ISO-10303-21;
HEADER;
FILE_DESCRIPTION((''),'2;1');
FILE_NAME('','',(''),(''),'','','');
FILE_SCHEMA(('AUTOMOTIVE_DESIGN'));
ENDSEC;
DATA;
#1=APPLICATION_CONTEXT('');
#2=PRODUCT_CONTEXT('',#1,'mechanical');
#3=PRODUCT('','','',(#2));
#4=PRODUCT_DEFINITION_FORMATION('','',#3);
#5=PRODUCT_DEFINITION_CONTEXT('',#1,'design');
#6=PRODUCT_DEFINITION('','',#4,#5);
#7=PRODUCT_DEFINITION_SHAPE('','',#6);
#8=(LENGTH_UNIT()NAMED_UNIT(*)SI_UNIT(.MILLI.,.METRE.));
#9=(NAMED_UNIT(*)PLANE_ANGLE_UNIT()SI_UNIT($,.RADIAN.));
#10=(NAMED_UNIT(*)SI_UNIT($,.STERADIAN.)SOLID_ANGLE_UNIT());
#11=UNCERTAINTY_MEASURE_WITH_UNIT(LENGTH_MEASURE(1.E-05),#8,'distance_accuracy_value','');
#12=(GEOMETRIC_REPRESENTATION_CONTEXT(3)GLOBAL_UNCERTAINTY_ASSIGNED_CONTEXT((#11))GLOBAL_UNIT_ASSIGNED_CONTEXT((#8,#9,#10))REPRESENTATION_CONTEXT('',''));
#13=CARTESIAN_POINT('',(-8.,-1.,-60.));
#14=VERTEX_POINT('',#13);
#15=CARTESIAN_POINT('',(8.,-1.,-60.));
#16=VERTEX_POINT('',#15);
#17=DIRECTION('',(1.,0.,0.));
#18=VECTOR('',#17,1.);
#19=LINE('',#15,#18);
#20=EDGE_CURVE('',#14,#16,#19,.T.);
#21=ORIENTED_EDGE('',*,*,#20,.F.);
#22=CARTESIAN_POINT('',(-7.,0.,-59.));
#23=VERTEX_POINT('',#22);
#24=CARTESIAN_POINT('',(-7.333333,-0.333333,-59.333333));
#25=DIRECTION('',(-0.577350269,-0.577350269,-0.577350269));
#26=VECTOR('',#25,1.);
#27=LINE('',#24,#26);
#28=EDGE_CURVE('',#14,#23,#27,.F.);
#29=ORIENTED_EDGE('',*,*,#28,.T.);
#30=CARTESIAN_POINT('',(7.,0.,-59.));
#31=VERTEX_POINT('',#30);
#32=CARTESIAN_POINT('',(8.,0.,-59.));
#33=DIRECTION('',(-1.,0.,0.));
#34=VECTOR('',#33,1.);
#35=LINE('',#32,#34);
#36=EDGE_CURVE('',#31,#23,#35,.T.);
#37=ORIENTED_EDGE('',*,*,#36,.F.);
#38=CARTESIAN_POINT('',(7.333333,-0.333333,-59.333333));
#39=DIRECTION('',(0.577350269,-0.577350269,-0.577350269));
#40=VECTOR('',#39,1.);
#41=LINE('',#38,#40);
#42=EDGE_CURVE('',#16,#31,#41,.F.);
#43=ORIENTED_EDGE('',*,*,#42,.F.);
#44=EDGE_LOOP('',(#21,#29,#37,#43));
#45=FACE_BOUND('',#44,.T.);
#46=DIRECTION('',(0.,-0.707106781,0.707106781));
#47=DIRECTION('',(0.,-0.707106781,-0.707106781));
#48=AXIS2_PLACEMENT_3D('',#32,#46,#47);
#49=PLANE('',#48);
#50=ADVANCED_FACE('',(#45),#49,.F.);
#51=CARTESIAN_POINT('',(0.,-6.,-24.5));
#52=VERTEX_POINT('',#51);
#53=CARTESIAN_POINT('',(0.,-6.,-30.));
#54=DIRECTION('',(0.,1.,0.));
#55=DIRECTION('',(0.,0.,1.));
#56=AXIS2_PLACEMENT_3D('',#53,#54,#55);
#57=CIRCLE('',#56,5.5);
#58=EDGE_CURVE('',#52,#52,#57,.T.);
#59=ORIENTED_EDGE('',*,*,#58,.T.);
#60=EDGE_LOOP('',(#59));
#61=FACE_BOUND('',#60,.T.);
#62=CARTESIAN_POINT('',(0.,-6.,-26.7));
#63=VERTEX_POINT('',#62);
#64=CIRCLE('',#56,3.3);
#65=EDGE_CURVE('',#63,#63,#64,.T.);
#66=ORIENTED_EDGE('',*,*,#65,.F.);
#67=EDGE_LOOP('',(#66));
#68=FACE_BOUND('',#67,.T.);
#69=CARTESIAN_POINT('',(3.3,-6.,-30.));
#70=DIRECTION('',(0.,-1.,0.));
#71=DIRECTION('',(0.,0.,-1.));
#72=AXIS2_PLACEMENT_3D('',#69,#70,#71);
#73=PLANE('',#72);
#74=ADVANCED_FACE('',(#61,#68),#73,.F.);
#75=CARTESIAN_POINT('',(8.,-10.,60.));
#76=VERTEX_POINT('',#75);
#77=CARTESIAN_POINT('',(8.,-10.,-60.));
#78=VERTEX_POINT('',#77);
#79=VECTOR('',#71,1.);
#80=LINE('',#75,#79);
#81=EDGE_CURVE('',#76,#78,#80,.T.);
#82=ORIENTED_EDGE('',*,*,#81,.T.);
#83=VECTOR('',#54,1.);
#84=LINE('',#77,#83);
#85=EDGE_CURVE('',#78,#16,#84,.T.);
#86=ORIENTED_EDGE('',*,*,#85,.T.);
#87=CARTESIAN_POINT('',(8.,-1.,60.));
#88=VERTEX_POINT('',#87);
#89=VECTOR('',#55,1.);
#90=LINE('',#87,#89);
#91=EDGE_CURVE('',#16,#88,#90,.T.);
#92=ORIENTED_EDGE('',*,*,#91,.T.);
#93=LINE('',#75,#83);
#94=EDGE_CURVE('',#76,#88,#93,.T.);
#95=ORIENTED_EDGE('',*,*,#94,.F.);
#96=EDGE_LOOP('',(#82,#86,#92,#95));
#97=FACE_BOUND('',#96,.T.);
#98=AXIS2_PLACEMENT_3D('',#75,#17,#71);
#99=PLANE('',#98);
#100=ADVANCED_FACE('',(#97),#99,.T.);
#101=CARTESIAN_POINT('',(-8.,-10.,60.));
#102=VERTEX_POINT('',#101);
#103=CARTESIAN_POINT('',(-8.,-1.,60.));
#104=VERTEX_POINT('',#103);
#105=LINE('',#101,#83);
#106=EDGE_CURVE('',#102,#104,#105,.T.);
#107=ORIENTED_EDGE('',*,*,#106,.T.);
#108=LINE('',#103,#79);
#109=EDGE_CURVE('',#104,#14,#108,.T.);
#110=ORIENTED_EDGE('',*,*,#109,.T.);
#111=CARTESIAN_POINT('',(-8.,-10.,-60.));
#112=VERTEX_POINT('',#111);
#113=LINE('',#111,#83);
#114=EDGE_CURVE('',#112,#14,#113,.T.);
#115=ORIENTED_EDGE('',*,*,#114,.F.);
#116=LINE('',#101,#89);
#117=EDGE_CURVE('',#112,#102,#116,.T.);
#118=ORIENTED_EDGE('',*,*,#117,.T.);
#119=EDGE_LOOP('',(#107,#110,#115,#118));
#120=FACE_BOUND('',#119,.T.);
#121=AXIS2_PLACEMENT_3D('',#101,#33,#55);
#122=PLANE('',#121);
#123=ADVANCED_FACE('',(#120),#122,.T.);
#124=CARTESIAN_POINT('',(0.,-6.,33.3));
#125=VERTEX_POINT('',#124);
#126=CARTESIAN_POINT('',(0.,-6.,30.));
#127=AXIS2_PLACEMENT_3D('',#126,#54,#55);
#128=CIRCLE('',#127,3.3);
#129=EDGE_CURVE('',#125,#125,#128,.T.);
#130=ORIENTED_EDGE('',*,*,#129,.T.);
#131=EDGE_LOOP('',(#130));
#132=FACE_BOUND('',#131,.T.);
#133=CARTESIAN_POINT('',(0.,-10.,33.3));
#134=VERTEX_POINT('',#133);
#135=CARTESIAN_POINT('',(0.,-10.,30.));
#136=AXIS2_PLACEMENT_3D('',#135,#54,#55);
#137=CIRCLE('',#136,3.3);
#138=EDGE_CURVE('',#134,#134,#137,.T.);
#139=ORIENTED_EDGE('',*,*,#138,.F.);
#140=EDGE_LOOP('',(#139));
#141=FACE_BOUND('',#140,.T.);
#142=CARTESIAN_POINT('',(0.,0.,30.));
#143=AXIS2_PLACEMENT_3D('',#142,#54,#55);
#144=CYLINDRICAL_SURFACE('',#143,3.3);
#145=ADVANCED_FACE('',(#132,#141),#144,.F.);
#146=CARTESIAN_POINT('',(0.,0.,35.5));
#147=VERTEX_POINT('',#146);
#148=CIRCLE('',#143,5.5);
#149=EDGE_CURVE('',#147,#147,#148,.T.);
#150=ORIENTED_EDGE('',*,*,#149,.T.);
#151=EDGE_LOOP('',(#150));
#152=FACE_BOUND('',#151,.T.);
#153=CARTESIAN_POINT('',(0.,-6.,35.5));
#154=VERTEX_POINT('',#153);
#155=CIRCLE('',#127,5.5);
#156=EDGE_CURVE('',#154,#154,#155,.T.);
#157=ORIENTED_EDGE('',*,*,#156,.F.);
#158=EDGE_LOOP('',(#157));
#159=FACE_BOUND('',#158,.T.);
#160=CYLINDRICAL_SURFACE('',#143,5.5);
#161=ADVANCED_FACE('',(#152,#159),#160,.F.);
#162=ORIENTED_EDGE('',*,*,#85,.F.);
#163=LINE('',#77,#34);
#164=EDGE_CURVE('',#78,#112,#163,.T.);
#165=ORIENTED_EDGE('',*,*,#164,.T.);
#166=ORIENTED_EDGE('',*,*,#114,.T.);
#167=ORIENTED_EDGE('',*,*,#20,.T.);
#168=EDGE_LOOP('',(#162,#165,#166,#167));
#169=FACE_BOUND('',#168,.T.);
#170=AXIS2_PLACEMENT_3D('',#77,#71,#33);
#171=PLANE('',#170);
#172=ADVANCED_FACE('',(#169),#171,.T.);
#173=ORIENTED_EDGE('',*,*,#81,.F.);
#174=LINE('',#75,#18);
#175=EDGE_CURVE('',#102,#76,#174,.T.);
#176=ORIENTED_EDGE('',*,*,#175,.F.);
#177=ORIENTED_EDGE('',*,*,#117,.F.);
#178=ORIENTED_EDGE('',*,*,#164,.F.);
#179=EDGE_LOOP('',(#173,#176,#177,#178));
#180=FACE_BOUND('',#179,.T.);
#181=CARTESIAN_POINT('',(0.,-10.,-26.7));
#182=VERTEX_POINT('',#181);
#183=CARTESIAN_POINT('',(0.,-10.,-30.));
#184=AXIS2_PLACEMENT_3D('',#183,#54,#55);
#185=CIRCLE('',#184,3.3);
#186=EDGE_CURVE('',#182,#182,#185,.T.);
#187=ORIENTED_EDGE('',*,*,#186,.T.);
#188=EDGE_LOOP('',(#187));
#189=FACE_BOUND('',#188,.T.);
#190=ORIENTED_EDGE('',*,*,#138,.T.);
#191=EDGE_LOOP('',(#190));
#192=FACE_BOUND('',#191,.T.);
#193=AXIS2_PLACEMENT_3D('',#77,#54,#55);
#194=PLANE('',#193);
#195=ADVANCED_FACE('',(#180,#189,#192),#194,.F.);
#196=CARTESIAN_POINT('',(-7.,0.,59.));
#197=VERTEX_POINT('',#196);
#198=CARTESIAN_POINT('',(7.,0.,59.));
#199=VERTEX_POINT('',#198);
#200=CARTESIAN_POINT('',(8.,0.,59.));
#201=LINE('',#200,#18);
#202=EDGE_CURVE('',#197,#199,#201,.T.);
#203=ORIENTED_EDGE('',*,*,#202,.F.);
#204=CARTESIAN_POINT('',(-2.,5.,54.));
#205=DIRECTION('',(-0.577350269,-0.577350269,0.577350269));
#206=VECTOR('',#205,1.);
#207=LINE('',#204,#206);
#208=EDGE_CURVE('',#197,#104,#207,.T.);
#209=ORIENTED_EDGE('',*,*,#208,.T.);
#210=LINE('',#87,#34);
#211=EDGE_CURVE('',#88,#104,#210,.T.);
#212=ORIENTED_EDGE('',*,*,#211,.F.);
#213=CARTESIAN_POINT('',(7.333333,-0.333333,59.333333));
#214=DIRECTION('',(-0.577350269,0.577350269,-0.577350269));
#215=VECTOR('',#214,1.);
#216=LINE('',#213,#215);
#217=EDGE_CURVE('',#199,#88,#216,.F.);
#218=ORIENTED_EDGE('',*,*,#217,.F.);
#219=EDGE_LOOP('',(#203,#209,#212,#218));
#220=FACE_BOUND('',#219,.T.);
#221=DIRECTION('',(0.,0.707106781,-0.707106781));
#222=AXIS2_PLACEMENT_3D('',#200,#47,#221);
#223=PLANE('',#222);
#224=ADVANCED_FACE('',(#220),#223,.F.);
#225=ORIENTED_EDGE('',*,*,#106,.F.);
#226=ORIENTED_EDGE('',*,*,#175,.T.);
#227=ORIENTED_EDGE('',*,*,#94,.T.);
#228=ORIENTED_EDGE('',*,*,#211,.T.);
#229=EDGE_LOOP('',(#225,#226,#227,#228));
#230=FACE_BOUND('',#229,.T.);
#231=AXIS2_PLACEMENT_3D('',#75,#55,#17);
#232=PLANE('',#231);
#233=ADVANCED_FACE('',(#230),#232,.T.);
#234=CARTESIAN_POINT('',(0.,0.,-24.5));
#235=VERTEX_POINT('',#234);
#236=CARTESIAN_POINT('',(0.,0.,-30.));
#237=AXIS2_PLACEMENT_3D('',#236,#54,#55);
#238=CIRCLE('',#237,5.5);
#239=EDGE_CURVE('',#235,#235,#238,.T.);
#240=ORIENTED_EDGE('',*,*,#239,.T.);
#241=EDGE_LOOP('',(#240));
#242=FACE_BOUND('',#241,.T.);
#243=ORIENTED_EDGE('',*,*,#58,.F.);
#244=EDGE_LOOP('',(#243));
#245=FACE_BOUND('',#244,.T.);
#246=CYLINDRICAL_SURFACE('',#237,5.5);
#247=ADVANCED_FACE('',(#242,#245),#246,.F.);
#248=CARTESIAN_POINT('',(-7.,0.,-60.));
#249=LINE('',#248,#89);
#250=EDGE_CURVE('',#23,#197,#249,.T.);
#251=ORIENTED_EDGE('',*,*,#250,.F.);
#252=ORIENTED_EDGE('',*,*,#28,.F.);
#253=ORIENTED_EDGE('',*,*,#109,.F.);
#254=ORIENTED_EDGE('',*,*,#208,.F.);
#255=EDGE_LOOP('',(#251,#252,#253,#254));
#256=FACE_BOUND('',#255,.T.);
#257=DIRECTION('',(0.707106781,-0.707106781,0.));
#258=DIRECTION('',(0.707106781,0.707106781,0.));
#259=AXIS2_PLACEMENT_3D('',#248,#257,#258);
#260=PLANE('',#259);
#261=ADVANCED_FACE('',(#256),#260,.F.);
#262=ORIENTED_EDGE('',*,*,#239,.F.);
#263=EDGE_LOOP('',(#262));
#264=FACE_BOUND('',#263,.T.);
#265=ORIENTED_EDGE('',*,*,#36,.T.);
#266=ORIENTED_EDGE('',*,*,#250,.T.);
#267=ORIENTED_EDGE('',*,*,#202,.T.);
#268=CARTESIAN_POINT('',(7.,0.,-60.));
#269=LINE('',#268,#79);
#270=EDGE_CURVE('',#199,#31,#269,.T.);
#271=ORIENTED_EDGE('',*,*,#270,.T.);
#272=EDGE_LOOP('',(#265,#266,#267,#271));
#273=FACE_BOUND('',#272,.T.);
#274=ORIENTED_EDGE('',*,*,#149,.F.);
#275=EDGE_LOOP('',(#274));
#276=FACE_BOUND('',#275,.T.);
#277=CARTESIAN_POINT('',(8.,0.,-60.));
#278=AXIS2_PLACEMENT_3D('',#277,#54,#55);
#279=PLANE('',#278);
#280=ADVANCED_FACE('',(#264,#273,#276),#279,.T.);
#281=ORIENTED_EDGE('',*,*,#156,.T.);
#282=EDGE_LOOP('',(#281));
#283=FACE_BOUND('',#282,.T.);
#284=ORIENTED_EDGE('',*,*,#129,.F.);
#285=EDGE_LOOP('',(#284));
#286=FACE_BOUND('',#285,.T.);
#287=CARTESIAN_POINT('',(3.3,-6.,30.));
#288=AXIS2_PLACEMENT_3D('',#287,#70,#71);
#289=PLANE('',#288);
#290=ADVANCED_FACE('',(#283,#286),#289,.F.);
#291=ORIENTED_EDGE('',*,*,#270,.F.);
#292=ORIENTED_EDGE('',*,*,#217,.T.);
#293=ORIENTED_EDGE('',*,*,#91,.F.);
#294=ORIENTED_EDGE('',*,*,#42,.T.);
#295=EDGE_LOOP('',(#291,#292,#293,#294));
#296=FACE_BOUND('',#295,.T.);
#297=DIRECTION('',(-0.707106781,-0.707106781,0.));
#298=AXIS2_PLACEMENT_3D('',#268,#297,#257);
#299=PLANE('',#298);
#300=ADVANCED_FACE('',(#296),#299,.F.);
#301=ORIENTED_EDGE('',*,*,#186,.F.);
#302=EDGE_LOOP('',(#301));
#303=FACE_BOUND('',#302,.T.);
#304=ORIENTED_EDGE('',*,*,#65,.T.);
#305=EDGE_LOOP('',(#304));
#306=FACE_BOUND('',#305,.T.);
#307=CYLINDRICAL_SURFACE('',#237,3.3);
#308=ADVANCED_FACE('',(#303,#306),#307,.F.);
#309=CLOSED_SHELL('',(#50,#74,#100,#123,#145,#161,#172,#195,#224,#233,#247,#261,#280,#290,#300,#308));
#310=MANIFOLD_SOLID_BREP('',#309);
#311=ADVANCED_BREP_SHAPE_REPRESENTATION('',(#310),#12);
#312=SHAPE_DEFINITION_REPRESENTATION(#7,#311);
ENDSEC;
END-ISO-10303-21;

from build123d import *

# Parameters (mm, degrees)
SKETCH_1_W                  = 16
SKETCH_1_H                  = 120
EXTRUDE_1_DEPTH             = 10
CHAMFER_1_SIZE              = 1
HOLE_WIZARD_M61_D           = 6.6
HOLE_WIZARD_M61_CBORE_D     = 11
HOLE_WIZARD_M61_CBORE_DEPTH = 6


with BuildPart() as part:
    # Эскиз1 → Бобышка-Вытянуть1 (new body)
    with BuildSketch(Plane(origin=(0, 0, 0), x_dir=(1, 0, 0), z_dir=(0, 1, 0))):
        Rectangle(SKETCH_1_W, SKETCH_1_H)
    extrude(amount=-EXTRUDE_1_DEPTH)

    # Фаска1
    chamfer_1_edges = [part.edges().sort_by_distance(p)[0] for p in [
        (0, 0, 60),
        (-8, 0, 0),
        (0, 0, -60),
        (8, 0, 0),
    ]]
    chamfer(chamfer_1_edges, length=CHAMFER_1_SIZE)

    # Цековка для винта с внутренним шестигранником M61 (through all)
    with Locations(Plane(origin=(0, 0, 0), x_dir=(-1, 0, 0), z_dir=(0, 1, 0))):
        with Locations((0, 30), (0, -30)):
            CounterBoreHole(HOLE_WIZARD_M61_D / 2, HOLE_WIZARD_M61_CBORE_D / 2, HOLE_WIZARD_M61_CBORE_DEPTH)


solid = part.part
